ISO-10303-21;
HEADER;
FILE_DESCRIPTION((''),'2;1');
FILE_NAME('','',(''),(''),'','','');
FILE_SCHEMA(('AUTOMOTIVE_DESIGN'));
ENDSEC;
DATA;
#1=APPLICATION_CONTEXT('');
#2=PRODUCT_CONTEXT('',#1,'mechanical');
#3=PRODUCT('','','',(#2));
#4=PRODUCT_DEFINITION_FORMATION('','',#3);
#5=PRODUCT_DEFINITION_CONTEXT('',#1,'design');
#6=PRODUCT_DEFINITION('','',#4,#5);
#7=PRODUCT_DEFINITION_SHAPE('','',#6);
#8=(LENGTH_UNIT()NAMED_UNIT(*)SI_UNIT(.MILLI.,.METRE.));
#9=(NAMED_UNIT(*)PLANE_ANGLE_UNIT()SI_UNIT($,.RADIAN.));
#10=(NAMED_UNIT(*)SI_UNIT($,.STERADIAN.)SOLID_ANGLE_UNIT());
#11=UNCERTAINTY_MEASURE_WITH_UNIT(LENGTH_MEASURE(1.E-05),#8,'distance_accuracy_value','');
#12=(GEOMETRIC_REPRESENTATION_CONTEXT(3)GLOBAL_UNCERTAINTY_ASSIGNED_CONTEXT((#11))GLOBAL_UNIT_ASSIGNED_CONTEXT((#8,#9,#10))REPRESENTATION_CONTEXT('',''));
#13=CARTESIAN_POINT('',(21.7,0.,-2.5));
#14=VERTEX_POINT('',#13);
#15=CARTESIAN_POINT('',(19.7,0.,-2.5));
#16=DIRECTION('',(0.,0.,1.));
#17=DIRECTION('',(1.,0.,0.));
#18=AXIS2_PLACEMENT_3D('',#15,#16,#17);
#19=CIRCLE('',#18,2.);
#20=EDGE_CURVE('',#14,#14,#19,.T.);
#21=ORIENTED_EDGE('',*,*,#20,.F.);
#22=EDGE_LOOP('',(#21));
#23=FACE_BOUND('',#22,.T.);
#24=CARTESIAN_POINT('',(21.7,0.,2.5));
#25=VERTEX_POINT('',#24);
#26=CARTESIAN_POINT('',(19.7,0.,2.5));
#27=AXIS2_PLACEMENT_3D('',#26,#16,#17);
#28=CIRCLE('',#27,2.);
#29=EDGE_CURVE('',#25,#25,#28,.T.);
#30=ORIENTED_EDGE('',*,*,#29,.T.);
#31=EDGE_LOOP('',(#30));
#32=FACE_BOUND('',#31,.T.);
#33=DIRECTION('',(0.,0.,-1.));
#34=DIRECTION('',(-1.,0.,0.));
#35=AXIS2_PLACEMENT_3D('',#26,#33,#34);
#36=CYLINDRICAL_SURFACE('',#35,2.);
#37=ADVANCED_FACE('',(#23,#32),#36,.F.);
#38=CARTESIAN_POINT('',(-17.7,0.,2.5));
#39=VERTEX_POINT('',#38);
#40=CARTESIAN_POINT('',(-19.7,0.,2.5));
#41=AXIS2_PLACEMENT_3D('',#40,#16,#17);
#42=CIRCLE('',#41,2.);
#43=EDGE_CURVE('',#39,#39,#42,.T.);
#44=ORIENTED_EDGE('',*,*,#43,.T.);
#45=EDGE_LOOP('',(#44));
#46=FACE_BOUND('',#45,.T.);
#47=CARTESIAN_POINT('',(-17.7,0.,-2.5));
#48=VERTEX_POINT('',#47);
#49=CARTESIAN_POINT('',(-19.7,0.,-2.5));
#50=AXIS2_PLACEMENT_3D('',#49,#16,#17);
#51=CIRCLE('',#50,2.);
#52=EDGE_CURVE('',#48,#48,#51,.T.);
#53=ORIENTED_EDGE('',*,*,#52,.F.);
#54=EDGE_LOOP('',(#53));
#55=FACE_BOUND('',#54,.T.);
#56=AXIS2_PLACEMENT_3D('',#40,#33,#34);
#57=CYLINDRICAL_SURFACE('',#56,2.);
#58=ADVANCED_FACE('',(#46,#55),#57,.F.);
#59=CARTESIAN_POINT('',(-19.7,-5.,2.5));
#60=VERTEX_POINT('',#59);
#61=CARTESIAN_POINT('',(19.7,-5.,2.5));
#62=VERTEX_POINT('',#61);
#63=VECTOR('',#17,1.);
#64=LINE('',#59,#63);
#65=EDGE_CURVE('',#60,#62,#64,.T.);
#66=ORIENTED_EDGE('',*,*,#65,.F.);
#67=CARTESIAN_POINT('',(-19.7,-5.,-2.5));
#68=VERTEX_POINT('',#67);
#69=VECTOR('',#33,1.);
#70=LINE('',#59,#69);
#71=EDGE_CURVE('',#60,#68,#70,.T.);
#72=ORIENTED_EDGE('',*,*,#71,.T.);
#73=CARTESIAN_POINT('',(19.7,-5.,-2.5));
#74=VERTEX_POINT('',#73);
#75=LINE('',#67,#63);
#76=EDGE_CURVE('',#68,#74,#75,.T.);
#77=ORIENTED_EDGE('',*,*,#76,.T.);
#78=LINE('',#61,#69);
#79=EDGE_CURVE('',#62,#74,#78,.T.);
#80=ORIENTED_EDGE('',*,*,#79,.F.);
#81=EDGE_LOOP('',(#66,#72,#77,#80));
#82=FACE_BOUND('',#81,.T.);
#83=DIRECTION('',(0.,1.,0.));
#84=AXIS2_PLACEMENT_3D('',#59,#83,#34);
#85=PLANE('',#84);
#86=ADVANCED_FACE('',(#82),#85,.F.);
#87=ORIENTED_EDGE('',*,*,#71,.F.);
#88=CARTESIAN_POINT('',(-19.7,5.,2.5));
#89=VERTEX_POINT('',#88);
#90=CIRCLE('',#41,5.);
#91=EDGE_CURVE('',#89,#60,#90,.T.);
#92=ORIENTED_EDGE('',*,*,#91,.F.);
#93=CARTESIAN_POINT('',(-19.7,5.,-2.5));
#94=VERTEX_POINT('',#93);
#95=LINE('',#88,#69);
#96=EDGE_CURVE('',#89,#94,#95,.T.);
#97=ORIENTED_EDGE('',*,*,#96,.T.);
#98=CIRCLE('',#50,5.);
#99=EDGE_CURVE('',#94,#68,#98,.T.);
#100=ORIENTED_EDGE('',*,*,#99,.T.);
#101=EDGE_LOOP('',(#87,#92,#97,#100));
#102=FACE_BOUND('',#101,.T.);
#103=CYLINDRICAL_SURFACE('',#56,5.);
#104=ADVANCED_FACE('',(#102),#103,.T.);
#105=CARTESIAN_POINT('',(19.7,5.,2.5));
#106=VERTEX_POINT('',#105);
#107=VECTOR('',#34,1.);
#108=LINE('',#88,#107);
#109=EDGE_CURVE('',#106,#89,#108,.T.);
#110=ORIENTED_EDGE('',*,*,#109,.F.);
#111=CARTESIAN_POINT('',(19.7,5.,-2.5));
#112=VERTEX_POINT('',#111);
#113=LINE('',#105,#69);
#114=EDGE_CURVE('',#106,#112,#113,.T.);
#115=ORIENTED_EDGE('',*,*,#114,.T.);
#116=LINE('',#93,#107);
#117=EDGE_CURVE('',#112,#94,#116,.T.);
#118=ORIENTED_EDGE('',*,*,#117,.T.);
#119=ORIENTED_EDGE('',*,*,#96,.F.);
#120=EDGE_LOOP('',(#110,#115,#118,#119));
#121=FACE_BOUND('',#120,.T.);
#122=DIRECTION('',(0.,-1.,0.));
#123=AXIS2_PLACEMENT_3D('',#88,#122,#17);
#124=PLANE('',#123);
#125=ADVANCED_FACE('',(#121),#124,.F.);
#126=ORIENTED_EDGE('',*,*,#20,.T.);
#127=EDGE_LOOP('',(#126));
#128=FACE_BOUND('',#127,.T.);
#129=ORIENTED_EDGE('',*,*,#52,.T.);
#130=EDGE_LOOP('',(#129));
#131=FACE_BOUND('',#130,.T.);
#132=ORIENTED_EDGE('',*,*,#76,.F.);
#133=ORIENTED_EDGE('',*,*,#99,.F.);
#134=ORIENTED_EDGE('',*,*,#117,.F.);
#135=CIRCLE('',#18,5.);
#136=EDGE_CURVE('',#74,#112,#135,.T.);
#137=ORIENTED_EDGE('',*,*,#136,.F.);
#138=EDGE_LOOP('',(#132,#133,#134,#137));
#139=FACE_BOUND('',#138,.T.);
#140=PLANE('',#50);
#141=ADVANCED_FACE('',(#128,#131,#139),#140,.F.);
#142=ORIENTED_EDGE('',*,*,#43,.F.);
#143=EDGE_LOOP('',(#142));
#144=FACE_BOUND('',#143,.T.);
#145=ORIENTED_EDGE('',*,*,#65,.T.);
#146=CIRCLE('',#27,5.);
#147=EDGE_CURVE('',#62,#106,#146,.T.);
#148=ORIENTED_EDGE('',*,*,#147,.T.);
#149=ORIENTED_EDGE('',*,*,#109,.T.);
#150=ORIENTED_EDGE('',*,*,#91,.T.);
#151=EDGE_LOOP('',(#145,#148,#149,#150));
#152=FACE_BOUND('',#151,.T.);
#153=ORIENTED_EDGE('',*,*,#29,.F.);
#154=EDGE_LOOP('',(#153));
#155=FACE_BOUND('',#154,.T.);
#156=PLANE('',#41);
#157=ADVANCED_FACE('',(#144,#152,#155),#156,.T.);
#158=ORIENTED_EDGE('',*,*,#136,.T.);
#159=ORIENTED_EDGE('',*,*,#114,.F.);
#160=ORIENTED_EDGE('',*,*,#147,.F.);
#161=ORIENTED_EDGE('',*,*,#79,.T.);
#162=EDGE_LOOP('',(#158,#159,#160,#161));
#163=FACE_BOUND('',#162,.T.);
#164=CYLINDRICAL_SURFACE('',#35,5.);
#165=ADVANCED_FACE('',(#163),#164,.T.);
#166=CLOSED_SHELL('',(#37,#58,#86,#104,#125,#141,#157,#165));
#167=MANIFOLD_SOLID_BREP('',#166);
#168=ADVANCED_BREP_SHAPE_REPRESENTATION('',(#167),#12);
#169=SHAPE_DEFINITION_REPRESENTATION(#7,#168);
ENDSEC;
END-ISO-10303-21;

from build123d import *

# Parameters (mm, degrees)
SKETCH_2_R      = 2
EXTRUDE_1_DEPTH = 2.5


with BuildPart() as part:
    # 草圖2 → 填料-伸長1 (new, symmetric)
    with BuildSketch(Plane.XY):
        with BuildLine():
            Line((-19.7, 5), (19.7, 5))
            ThreePointArc((19.7, 5), (24.7, 0), (19.7, -5))
            Line((19.7, -5), (-19.7, -5))
            ThreePointArc((-19.7, -5), (-24.7, 0), (-19.7, 5))
        make_face()
        with Locations((19.7, 0)):
            Circle(SKETCH_2_R, mode=Mode.SUBTRACT)
        with Locations((-19.7, 0)):
            Circle(SKETCH_2_R, mode=Mode.SUBTRACT)
    extrude(amount=EXTRUDE_1_DEPTH, both=True)


solid = part.part
